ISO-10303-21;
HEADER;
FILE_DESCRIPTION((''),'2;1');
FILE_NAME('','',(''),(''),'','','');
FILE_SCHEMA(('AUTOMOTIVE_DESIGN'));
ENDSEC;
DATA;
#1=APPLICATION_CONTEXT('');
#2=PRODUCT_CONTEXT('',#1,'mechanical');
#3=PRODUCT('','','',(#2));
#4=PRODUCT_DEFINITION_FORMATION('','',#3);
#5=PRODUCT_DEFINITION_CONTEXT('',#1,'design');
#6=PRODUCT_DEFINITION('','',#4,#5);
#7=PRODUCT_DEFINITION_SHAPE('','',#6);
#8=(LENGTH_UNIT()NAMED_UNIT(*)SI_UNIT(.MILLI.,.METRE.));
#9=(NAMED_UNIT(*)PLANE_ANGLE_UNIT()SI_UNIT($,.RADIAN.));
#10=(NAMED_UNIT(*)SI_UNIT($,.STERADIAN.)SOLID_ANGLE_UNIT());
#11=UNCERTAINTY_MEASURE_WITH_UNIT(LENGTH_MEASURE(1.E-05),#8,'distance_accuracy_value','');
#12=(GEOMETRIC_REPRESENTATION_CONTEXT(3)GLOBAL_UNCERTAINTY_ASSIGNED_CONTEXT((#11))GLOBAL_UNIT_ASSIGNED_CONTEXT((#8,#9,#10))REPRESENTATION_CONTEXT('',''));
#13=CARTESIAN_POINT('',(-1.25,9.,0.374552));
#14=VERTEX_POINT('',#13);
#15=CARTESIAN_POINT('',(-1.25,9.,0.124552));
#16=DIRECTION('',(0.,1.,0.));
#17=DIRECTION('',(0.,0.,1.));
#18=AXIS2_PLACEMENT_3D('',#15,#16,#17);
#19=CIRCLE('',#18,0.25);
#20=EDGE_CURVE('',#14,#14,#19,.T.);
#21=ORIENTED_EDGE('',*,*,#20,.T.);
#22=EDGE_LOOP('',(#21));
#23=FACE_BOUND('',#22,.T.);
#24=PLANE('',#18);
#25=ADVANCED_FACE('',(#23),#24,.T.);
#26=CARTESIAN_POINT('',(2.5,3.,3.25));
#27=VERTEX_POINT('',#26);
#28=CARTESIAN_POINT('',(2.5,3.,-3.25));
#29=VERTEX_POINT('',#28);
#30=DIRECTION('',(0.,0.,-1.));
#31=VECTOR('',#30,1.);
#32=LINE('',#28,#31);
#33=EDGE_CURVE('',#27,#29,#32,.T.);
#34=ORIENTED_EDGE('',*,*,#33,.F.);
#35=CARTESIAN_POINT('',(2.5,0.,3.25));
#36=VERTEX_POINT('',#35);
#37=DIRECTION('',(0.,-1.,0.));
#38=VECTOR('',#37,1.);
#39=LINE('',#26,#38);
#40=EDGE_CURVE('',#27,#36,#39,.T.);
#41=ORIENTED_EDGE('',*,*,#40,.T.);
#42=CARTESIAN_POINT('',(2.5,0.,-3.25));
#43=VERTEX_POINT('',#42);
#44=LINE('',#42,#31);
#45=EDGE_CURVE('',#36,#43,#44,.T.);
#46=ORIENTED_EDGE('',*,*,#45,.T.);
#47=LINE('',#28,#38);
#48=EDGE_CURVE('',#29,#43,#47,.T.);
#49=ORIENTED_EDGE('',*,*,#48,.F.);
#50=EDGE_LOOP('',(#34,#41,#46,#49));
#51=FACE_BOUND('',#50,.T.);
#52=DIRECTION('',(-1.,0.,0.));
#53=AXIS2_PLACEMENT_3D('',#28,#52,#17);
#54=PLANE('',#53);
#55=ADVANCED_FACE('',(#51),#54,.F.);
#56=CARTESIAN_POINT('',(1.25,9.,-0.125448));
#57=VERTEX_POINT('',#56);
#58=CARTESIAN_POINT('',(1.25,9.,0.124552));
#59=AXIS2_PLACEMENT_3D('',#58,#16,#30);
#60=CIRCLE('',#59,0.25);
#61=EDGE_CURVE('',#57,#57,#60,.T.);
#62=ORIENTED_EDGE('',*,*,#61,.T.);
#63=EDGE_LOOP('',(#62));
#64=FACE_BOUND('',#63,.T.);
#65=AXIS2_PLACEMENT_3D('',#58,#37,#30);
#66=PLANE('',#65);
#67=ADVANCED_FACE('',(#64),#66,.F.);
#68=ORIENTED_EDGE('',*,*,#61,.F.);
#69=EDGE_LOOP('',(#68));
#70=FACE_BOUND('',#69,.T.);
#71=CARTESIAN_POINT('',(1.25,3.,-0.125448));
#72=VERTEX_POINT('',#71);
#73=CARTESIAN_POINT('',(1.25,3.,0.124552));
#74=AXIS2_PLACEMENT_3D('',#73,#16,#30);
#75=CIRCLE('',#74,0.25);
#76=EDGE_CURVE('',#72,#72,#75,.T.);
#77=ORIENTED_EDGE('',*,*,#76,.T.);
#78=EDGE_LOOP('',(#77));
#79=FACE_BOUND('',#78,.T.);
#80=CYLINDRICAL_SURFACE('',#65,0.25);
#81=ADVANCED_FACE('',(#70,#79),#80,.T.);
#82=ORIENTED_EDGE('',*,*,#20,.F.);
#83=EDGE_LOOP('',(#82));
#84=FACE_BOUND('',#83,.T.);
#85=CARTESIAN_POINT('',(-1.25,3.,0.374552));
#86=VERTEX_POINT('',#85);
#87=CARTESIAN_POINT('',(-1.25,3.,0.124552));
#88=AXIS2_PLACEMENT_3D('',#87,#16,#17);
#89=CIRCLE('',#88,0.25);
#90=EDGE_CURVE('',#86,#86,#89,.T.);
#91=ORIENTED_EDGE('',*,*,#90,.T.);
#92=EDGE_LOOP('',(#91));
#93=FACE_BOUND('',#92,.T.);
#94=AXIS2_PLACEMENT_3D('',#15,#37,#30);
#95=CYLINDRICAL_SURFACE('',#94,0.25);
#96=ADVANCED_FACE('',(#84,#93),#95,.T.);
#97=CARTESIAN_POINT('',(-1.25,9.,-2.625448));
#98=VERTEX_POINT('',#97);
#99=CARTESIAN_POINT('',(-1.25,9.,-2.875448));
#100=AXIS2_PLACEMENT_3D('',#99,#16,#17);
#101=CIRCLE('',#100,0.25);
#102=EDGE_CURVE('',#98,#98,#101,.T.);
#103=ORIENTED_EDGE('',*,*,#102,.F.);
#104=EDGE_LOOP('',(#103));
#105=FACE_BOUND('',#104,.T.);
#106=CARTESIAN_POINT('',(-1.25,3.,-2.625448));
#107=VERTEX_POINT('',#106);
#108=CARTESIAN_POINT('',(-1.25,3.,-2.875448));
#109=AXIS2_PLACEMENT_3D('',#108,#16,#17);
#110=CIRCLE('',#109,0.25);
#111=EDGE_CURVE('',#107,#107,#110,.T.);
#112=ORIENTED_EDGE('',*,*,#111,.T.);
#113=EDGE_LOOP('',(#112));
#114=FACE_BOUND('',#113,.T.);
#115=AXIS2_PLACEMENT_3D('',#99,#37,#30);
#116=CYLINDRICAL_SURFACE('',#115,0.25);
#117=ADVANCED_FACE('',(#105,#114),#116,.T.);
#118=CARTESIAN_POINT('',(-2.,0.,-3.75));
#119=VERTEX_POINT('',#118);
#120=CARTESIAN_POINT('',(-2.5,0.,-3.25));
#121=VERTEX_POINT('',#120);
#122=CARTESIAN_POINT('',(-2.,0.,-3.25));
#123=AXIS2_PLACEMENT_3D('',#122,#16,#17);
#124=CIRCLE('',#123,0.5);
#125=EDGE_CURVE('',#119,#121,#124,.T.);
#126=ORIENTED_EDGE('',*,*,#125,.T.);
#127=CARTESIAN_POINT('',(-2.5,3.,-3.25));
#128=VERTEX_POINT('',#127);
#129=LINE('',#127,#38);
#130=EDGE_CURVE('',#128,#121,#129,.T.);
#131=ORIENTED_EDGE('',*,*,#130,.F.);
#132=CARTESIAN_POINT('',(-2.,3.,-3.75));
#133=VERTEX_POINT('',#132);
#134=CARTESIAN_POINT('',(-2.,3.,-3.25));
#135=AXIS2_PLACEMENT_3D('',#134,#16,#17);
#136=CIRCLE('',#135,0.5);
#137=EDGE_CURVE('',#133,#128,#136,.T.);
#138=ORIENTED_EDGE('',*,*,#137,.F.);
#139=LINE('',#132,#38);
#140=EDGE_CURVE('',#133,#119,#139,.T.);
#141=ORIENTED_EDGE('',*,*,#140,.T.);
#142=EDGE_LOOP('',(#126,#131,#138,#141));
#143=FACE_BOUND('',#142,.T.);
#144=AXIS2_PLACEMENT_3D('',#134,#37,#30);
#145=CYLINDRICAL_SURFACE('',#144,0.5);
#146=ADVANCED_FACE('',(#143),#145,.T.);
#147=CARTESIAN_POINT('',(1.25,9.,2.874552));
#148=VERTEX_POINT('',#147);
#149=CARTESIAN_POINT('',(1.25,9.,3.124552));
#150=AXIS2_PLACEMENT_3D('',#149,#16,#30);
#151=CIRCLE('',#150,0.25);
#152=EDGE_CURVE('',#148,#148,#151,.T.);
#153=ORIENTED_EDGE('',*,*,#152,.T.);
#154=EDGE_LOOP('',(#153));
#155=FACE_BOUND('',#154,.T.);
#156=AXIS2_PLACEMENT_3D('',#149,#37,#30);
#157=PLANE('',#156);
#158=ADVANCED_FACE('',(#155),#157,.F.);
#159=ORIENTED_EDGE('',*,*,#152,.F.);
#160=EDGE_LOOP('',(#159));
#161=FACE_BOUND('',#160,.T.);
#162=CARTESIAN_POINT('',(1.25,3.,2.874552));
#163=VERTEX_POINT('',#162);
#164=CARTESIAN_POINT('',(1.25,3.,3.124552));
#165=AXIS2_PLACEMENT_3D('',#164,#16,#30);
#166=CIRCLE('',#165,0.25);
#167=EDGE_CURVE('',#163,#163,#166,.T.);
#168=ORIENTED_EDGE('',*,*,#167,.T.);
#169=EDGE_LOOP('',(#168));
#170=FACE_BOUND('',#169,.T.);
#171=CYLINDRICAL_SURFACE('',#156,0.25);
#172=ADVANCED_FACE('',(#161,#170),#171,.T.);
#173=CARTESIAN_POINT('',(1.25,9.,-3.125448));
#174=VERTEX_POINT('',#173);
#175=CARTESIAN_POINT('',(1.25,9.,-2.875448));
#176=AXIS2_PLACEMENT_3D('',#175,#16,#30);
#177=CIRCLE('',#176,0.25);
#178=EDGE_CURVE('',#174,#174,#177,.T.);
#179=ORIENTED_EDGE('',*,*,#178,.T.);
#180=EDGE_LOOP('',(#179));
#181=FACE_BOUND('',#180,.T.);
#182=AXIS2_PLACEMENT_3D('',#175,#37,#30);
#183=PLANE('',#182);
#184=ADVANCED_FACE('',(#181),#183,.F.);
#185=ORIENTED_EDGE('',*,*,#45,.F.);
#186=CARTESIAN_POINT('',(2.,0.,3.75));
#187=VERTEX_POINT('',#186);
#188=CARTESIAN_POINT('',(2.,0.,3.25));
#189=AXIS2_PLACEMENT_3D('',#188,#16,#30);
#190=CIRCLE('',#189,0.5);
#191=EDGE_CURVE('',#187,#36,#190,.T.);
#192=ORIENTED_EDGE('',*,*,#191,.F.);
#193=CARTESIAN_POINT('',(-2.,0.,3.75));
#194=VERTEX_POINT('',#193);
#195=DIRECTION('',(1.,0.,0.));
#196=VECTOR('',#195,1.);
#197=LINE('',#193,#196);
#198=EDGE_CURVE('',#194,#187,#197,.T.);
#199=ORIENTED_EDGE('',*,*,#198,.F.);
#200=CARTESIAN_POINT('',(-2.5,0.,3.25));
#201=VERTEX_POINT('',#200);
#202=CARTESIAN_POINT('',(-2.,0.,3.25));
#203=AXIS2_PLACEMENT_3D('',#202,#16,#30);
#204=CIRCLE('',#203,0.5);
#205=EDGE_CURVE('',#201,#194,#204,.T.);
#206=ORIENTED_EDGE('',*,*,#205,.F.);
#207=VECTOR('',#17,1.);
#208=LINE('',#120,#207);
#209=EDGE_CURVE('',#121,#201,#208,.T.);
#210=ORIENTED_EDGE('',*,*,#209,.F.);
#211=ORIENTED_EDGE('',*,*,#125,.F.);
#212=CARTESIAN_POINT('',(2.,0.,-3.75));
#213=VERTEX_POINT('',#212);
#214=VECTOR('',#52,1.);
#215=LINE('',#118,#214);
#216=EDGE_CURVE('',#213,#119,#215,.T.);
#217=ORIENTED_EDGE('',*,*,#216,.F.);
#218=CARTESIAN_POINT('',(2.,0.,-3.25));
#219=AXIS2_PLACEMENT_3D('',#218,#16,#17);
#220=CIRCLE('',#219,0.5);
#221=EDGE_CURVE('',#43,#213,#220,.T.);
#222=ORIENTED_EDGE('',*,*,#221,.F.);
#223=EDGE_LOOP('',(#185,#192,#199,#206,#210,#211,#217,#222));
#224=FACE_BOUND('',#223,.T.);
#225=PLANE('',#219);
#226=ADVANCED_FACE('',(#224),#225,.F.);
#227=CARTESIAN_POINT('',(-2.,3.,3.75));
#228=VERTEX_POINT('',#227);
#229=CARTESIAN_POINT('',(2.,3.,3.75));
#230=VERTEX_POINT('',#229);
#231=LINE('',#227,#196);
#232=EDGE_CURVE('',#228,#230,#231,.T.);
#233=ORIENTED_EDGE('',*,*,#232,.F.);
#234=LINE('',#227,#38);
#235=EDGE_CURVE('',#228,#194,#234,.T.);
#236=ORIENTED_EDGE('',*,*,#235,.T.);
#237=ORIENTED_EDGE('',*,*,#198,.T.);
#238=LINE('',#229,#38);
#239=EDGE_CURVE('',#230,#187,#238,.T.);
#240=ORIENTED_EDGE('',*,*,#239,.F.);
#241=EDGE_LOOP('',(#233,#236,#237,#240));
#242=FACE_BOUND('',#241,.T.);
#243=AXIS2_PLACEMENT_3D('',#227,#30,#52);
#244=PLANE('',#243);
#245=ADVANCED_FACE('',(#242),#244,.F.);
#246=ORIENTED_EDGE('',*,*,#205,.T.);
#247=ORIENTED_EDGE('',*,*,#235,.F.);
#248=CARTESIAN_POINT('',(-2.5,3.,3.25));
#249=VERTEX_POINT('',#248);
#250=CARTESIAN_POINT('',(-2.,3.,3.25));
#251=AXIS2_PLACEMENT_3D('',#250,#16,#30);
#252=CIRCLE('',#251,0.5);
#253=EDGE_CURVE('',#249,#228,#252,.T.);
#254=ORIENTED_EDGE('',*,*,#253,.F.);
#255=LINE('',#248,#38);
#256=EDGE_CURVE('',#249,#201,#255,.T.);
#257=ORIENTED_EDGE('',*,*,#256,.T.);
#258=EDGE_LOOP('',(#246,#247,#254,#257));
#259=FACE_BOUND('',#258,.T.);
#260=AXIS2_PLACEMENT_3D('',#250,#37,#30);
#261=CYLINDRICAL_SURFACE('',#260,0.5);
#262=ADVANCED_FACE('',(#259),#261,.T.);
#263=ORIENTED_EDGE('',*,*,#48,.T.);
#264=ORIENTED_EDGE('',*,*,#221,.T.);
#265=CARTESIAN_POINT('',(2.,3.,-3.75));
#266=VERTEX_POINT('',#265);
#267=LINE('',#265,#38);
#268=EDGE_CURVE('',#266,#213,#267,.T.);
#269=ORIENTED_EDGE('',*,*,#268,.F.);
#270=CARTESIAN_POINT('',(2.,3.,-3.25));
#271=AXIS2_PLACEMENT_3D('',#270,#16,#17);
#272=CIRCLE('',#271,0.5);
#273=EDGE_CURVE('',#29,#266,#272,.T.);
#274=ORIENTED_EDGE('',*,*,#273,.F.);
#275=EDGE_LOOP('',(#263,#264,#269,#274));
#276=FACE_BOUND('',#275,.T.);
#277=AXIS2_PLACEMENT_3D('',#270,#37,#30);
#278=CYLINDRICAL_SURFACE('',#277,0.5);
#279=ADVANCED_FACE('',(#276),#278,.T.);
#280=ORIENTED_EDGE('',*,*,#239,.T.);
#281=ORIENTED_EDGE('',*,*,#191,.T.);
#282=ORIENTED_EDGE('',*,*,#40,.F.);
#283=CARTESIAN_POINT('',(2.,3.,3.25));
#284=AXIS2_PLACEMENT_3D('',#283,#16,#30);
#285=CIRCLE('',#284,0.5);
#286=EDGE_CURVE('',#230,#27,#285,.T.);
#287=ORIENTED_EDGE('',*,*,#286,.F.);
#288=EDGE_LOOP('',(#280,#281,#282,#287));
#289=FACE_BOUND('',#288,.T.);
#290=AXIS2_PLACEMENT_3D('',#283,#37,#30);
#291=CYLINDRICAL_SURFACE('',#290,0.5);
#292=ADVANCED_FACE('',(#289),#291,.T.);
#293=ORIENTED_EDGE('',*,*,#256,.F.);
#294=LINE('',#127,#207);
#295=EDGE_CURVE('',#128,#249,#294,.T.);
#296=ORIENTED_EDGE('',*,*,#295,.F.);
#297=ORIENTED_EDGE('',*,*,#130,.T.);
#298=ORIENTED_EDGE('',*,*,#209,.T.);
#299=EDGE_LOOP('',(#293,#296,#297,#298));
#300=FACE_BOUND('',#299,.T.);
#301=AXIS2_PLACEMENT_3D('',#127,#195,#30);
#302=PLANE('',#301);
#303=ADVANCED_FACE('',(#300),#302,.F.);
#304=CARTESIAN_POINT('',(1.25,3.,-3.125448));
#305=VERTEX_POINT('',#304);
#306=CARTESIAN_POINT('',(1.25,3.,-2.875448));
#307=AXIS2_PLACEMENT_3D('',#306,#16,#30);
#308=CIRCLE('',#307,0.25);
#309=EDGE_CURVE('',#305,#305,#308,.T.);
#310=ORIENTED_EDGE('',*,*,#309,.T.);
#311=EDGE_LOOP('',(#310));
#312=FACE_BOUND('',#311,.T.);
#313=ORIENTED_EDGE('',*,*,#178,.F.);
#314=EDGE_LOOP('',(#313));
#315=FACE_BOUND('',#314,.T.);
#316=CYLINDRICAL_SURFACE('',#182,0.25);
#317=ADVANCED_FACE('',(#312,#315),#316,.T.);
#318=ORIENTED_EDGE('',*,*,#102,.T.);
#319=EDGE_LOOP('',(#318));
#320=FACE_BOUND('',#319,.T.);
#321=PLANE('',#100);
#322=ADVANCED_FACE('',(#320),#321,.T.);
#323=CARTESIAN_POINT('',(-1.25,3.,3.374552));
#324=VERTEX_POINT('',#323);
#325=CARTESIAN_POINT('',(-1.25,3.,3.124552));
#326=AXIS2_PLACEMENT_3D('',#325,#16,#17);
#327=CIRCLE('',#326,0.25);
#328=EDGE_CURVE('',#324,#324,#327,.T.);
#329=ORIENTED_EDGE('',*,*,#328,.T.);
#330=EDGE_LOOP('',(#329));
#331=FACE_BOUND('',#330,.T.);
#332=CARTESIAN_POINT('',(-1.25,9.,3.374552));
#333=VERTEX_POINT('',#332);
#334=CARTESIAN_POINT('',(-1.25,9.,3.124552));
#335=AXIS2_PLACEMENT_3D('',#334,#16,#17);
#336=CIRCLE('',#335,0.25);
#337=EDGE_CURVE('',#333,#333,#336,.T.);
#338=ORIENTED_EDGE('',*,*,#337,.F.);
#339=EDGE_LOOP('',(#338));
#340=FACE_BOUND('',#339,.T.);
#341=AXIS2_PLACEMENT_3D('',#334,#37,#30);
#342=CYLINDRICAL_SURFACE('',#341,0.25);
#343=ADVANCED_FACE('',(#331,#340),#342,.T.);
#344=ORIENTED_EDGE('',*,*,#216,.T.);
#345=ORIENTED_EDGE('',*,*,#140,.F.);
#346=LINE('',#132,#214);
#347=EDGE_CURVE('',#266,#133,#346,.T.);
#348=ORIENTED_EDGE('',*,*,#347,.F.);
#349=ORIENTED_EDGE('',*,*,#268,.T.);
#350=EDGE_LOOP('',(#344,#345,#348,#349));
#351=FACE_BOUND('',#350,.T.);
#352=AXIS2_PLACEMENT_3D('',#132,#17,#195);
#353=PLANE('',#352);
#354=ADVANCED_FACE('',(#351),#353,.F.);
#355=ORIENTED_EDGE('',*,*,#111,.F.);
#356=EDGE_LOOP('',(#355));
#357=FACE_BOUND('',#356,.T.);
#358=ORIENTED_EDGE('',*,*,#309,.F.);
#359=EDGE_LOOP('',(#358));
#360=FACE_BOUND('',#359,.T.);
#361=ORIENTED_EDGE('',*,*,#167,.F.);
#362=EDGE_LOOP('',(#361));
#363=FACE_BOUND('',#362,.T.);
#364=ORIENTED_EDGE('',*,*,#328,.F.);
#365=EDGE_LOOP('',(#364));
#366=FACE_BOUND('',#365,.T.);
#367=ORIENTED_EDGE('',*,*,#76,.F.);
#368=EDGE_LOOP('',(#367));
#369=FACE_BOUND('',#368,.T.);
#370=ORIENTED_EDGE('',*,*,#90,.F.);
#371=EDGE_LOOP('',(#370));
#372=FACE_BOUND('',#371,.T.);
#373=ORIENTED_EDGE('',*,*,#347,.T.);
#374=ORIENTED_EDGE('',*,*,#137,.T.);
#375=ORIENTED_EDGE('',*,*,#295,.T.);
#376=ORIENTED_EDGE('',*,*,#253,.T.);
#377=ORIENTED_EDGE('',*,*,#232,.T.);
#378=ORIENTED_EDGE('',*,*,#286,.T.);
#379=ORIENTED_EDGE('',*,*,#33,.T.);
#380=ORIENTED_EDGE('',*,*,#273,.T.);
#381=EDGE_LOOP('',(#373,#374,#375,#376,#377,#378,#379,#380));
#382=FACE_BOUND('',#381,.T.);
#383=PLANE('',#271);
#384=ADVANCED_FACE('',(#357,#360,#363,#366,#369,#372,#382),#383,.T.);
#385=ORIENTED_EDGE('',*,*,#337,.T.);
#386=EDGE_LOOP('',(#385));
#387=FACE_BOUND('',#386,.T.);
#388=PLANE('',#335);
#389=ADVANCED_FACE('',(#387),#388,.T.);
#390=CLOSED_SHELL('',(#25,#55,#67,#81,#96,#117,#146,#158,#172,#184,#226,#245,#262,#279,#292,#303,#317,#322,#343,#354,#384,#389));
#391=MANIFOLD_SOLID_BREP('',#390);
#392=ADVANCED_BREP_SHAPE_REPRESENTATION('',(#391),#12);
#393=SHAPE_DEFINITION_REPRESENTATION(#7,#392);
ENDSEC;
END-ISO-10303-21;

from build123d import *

# Parameters (mm, degrees)
BOSS_EXTRUDE1_DEPTH = 3
SKETCH2_R           = 0.25
BOSS_EXTRUDE2_DEPTH = 6


with BuildPart() as part:
    # Sketch1 → Boss-Extrude1 (new body)
    with BuildSketch(Plane(origin=(0, 0, 0), x_dir=(1, 0, 0), z_dir=(0, 1, 0))):
        with BuildLine():
            Line((-2, 3.75), (2, 3.75))
            ThreePointArc((2, 3.75), (2.353553391, 3.603553391), (2.5, 3.25))
            Line((2.5, 3.25), (2.5, -3.25))
            ThreePointArc((2.5, -3.25), (2.353553391, -3.603553391), (2, -3.75))
            Line((2, -3.75), (-2, -3.75))
            ThreePointArc((-2, -3.75), (-2.353553391, -3.603553391), (-2.5, -3.25))
            Line((-2.5, -3.25), (-2.5, 3.25))
            ThreePointArc((-2.5, 3.25), (-2.353553391, 3.603553391), (-2, 3.75))
        make_face()
    extrude(amount=BOSS_EXTRUDE1_DEPTH)

    # Sketch2 → Boss-Extrude2 (add)
    with BuildSketch(Plane(origin=(0, 3, 0), x_dir=(1, 0, 0), z_dir=(0, 1, 0))):
        with Locations((-1.25, 2.875448281)):
            Circle(SKETCH2_R)
        with Locations((1.25, 2.875448281)):
            Circle(SKETCH2_R)
        with Locations((-1.25, -0.124551719)):
            Circle(SKETCH2_R)
        with Locations((1.25, -0.124551719)):
            Circle(SKETCH2_R)
        with Locations((-1.25, -3.124551719)):
            Circle(SKETCH2_R)
        with Locations((1.25, -3.124551719)):
            Circle(SKETCH2_R)
    extrude(amount=BOSS_EXTRUDE2_DEPTH)


solid = part.part
